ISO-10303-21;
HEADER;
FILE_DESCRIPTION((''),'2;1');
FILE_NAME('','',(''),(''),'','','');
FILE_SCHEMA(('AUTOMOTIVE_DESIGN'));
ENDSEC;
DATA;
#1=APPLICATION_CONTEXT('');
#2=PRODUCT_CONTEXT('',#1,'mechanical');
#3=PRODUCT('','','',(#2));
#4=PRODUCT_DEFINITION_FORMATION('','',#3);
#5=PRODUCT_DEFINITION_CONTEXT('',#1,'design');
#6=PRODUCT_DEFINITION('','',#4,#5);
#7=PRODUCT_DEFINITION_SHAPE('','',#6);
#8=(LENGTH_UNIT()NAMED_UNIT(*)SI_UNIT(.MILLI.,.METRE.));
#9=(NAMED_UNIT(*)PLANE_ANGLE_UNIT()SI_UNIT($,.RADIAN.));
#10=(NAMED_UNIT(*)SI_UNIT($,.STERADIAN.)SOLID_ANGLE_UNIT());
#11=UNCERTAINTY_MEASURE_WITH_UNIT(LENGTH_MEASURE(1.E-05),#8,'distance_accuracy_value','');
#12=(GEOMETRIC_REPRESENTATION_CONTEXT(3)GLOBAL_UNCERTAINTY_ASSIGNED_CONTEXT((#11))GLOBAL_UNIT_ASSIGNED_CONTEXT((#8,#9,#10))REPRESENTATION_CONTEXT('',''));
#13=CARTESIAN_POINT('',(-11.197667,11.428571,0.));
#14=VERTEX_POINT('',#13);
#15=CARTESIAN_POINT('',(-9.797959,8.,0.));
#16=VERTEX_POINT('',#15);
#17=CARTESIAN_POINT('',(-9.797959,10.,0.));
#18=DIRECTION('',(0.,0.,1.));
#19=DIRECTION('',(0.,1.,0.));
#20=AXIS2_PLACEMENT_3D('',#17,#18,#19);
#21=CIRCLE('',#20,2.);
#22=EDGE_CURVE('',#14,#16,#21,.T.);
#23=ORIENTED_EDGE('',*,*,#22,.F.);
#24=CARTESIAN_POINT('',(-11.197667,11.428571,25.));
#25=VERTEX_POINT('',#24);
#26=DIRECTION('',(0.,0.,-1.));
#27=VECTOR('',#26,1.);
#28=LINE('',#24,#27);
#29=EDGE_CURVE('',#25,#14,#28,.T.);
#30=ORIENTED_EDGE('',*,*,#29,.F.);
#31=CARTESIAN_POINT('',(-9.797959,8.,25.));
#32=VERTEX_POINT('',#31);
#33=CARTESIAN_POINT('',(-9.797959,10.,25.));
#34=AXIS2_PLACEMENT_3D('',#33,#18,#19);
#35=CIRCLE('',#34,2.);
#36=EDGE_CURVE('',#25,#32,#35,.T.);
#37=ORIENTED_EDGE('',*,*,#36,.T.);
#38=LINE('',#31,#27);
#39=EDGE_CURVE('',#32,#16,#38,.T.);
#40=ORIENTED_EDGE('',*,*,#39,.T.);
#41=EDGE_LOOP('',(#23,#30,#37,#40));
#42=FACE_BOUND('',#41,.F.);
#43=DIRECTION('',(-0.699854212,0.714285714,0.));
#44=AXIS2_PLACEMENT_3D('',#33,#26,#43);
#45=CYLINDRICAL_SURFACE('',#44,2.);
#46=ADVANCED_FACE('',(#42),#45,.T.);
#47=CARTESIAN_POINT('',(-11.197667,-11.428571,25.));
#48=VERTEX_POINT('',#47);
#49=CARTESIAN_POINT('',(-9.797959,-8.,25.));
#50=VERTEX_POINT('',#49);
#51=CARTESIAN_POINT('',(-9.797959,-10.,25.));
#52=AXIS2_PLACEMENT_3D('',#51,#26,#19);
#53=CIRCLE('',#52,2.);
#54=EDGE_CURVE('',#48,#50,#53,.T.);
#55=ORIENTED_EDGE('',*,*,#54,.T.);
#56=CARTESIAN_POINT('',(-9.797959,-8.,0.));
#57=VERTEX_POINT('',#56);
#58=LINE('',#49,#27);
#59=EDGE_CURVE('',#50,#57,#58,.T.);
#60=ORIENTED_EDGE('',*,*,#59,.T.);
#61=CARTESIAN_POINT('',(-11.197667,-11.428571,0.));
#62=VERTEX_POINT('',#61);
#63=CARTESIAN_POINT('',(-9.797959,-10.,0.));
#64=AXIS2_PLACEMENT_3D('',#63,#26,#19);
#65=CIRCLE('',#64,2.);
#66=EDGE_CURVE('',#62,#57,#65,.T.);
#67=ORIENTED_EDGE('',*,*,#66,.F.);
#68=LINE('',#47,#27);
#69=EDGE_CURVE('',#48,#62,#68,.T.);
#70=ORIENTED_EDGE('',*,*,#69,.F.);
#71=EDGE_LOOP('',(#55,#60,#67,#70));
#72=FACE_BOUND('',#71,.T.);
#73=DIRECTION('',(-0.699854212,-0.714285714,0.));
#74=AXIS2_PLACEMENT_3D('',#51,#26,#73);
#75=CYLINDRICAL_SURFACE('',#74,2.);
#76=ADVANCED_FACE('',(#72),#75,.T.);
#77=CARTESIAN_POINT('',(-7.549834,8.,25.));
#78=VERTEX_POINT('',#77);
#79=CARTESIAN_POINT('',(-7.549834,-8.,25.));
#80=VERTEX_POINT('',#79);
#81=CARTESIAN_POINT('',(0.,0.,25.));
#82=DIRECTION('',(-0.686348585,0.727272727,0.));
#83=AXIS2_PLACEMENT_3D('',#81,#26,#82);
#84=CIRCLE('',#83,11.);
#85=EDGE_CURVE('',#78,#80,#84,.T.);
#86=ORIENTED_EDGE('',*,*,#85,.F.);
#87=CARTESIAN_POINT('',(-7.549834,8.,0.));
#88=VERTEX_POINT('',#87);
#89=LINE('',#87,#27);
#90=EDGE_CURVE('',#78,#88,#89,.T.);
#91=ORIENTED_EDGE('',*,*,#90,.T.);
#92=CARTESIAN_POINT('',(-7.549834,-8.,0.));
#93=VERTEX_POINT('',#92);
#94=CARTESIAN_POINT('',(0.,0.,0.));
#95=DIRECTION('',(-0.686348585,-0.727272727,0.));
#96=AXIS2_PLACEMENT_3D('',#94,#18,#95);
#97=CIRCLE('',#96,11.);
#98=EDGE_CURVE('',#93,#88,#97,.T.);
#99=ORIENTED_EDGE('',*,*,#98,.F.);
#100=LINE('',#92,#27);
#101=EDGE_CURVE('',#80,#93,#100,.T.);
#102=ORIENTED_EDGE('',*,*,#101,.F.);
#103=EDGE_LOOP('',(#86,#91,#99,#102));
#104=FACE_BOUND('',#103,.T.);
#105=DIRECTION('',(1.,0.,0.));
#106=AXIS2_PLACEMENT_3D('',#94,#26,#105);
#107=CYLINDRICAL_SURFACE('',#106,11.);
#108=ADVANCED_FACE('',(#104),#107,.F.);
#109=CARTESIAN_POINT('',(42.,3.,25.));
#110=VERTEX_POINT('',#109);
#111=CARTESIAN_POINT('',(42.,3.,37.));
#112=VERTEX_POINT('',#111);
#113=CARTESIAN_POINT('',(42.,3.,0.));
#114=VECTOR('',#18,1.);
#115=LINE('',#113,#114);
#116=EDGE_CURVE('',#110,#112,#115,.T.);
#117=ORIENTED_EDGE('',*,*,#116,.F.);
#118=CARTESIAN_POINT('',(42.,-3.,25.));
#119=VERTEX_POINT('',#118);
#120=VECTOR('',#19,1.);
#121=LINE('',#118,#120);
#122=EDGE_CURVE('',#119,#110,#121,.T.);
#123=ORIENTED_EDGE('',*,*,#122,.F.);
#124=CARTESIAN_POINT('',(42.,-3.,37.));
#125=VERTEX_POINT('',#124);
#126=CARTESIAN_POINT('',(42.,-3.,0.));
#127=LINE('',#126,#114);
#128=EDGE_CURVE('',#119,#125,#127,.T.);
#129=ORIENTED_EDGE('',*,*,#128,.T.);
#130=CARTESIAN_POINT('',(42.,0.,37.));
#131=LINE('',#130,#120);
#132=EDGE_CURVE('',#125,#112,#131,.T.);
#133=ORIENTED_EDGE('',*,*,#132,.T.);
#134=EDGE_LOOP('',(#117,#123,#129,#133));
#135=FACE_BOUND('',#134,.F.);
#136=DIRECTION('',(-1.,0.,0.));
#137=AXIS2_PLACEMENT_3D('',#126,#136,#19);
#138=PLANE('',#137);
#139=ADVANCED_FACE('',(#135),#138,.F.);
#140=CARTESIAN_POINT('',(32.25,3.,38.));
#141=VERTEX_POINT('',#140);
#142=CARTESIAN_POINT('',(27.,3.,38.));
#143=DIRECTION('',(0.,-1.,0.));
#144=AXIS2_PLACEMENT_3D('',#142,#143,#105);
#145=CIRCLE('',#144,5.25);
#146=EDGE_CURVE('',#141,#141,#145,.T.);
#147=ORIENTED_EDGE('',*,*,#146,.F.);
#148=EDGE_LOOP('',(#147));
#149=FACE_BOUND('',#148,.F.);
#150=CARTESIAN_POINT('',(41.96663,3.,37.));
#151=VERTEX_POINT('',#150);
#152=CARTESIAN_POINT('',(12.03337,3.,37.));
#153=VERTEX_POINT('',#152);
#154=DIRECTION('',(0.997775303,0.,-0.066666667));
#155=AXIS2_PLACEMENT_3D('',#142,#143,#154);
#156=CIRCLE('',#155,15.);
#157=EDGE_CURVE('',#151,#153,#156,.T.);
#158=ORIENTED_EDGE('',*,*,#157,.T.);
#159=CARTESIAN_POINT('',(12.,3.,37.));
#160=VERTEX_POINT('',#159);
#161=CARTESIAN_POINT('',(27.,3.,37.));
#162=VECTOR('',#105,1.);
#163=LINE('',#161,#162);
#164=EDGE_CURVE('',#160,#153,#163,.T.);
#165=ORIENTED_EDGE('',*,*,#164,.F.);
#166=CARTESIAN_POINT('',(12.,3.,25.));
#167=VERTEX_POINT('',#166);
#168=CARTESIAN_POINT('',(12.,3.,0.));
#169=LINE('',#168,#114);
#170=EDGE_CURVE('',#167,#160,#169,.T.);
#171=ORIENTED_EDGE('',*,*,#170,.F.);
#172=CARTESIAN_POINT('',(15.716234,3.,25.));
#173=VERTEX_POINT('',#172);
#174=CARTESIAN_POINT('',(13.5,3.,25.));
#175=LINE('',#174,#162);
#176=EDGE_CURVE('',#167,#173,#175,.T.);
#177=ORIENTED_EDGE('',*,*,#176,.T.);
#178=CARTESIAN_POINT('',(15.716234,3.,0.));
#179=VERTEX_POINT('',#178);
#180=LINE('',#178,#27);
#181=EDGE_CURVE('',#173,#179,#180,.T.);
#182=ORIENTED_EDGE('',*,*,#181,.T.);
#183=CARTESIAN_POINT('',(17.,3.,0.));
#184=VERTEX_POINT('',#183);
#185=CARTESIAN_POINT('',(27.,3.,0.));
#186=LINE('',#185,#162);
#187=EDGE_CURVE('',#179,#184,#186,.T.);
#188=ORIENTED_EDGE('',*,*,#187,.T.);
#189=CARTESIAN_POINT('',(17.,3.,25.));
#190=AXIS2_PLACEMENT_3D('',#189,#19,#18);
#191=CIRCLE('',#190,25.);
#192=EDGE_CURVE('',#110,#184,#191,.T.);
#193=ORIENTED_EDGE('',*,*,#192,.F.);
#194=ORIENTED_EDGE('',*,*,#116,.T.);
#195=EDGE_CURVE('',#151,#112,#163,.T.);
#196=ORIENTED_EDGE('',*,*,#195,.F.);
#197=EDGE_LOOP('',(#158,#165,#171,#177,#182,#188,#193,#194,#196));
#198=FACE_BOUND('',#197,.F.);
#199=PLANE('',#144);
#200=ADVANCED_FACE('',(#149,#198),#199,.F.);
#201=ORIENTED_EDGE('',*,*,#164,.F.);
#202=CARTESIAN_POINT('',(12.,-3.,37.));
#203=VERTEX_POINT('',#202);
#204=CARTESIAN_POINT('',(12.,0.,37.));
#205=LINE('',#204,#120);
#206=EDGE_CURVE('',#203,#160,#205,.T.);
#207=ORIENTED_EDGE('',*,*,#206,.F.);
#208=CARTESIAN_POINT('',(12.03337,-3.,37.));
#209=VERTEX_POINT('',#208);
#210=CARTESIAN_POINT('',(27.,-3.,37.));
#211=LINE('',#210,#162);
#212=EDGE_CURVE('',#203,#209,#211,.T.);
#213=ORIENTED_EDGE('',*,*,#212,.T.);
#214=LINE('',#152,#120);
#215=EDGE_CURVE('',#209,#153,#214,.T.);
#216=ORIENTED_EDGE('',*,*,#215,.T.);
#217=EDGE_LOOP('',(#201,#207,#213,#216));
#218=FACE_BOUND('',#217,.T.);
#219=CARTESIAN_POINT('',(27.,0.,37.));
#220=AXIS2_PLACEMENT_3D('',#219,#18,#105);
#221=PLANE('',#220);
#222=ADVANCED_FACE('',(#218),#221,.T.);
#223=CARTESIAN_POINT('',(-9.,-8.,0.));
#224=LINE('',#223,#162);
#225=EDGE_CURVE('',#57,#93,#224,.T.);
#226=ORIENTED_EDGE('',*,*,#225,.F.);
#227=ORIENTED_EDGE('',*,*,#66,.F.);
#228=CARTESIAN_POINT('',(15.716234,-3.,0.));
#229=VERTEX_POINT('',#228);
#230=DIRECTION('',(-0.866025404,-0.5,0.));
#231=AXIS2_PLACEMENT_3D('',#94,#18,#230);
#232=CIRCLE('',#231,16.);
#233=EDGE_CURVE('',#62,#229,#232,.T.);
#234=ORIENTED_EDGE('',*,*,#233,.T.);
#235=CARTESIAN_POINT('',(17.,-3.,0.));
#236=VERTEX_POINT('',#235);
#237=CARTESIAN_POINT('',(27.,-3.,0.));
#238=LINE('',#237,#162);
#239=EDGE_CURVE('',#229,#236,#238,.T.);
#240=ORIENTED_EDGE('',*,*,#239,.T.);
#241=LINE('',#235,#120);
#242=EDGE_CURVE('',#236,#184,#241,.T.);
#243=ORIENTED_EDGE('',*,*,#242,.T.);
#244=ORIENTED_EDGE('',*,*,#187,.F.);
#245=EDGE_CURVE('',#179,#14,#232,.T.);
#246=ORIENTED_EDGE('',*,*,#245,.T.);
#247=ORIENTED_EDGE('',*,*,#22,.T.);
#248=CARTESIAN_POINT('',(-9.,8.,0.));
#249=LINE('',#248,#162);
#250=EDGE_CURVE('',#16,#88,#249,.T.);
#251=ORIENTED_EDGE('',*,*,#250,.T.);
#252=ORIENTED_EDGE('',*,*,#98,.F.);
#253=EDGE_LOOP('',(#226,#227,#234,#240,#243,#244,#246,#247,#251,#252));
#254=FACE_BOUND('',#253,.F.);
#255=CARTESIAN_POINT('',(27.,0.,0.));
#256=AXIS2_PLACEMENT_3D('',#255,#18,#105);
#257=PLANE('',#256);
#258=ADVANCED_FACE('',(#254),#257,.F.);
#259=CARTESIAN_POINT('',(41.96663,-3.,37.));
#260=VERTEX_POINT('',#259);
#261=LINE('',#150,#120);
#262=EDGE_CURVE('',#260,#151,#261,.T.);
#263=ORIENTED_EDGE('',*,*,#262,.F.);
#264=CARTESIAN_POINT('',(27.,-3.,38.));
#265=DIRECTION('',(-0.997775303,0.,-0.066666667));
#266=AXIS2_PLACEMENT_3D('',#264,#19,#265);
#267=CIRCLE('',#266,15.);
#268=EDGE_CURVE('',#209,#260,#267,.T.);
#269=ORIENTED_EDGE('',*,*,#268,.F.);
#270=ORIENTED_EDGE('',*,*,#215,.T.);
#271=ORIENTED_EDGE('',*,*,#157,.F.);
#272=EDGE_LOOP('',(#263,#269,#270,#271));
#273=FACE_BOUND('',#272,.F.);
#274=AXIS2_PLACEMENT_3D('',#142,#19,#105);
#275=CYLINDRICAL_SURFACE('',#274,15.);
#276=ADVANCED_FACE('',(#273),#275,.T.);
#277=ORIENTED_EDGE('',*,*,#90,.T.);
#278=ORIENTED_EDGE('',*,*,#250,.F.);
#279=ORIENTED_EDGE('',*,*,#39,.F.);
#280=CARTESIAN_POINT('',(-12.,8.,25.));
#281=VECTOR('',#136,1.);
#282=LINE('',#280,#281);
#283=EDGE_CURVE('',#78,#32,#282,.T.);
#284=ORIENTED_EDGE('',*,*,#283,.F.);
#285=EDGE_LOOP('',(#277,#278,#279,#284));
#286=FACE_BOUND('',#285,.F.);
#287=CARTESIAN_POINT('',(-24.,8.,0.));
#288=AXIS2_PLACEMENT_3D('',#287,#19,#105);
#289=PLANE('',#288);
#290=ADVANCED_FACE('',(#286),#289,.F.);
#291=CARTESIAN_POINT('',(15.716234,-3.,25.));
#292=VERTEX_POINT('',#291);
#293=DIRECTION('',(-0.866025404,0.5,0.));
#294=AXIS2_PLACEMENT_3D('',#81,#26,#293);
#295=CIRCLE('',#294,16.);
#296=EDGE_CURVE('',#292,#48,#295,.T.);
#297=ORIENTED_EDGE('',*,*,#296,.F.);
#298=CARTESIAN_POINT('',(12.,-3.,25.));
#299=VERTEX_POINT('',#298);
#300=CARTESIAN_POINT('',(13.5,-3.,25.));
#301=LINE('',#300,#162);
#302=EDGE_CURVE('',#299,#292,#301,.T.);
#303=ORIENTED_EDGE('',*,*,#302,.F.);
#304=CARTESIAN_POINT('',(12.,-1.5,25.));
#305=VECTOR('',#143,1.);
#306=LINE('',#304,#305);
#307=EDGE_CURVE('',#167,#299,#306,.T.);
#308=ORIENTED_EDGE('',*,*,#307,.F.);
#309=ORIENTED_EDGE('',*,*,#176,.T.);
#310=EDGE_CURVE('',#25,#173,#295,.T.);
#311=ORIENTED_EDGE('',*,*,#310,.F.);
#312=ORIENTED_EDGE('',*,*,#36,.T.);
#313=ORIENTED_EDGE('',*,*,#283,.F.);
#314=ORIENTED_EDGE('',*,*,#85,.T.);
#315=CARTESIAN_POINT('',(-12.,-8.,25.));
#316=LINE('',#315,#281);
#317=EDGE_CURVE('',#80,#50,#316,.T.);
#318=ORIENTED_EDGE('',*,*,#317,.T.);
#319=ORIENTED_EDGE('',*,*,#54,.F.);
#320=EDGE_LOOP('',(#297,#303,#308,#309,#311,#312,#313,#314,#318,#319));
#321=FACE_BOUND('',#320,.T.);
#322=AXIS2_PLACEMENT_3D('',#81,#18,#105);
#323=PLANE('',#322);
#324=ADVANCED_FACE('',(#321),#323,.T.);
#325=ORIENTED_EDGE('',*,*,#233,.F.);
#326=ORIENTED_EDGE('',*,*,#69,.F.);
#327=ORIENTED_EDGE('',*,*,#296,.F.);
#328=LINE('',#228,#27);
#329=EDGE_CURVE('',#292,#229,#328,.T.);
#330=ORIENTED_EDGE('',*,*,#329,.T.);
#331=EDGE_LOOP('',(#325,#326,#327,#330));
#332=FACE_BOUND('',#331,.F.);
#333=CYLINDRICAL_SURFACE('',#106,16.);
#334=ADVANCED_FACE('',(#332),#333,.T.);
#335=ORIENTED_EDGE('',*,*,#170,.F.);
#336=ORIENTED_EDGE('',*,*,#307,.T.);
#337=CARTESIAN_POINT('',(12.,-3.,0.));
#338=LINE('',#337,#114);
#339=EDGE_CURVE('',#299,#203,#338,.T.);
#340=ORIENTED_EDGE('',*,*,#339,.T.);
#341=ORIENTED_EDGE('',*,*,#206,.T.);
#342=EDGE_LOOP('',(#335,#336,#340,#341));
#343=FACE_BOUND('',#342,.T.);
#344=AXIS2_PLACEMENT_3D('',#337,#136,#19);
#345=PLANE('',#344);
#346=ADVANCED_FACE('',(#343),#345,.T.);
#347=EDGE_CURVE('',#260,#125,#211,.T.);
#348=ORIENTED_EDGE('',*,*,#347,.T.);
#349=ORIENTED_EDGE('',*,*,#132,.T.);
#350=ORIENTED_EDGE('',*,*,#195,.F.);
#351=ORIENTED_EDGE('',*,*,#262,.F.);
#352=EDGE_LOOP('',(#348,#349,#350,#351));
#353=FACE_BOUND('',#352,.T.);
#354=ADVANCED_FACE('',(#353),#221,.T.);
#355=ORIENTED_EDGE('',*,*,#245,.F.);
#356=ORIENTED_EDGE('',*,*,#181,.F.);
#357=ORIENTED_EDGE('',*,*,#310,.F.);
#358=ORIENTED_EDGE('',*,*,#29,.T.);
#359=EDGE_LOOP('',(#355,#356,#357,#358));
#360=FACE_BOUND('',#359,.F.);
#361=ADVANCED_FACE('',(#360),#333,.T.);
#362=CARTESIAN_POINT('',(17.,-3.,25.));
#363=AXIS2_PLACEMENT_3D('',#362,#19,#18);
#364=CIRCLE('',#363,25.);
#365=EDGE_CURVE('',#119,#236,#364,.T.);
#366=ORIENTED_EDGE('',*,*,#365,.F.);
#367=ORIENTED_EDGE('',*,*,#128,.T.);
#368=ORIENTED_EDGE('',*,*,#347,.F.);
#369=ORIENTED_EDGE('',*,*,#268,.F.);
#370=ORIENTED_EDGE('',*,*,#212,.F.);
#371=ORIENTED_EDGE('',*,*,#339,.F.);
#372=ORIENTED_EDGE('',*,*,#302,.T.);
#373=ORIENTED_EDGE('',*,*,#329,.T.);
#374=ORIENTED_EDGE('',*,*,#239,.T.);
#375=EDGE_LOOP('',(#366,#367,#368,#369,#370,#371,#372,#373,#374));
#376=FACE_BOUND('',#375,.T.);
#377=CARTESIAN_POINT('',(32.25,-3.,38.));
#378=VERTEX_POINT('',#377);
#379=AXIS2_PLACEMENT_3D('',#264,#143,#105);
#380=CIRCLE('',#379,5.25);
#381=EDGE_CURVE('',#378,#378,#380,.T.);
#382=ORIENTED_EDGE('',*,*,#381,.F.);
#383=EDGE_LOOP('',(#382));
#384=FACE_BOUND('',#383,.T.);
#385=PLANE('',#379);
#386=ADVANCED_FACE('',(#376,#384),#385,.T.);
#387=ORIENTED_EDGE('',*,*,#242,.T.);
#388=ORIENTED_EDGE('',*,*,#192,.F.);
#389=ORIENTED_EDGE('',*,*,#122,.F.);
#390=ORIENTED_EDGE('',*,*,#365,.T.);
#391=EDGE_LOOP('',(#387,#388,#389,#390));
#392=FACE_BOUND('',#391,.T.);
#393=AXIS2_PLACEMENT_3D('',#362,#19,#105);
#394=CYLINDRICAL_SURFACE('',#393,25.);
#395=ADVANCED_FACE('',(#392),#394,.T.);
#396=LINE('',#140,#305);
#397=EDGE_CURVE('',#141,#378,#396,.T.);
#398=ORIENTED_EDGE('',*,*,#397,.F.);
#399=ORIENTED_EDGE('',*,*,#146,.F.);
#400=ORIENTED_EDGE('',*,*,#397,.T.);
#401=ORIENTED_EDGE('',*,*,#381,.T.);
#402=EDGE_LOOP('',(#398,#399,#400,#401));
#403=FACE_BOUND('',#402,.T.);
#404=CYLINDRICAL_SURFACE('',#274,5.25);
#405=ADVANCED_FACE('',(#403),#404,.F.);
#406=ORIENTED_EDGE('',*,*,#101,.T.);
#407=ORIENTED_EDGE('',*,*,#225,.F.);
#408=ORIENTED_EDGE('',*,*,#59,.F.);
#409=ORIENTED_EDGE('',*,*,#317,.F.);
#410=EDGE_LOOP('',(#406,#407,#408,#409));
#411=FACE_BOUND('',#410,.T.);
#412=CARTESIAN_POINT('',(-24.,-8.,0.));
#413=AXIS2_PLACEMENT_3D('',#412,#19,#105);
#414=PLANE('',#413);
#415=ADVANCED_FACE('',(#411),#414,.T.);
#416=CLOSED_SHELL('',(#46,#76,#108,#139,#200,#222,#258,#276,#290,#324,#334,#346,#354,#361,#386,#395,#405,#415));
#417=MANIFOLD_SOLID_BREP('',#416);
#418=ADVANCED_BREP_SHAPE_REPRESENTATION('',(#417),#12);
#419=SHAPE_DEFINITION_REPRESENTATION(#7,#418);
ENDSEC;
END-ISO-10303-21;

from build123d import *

# Parameters (mm, degrees)
CYLINDER003_R     = 5.25
CYLINDER003_DEPTH = 6
CYLINDER002_R     = 15
CYLINDER002_DEPTH = 6
BOX_W             = 30
BOX_H             = 6
BOX_DEPTH         = 37
FILLET001_R       = 25
BOX001_W          = 30
BOX001_H          = 16
BOX001_DEPTH      = 37
CYLINDER_R        = 11
CYLINDER_DEPTH    = 25
CYLINDER001_R     = 16
CYLINDER001_DEPTH = 25
FILLET_R          = 2


with BuildPart() as cilindro003:
    # Cylinder003 → Cylinder003 (new body)
    with BuildSketch(Plane(origin=(27, 3, 38), x_dir=(1, 0, 0), z_dir=(0, -1, 0))):
        Circle(CYLINDER003_R)
    extrude(amount=CYLINDER003_DEPTH)


with BuildPart() as cilindro002:
    # Cylinder002 → Cylinder002 (new body)
    with BuildSketch(Plane(origin=(27, 3, 38), x_dir=(1, 0, 0), z_dir=(0, -1, 0))):
        Circle(CYLINDER002_R)
    extrude(amount=CYLINDER002_DEPTH)


with BuildPart() as fillet001:
    # Box → Box (new body)
    with BuildSketch(Plane(origin=(12, -3, 0), x_dir=(1, 0, 0), z_dir=(0, 0, 1))):
        with Locations((15, 3)):
            Rectangle(BOX_W, BOX_H)
    extrude(amount=BOX_DEPTH)

    # Fusion: union Cilindro002
    add(cilindro002.part)

    # Cut001: cut Cilindro003
    add(cilindro003.part, mode=Mode.SUBTRACT)

    # Fillet001
    fillet001_edges = [fillet001.edges().sort_by_distance(p)[0] for p in [
        (42, 0, 0),
    ]]
    fillet(fillet001_edges, radius=FILLET001_R)


with BuildPart() as cubo001:
    # Box001 → Box001 (new body)
    with BuildSketch(Plane(origin=(-24, -8, 0), x_dir=(1, 0, 0), z_dir=(0, 0, 1))):
        with Locations((15, 8)):
            Rectangle(BOX001_W, BOX001_H)
    extrude(amount=BOX001_DEPTH)


with BuildPart() as cilindro:
    # Cylinder → Cylinder (new body)
    with BuildSketch(Plane.XY):
        Circle(CYLINDER_R)
    extrude(amount=CYLINDER_DEPTH)


with BuildPart() as fusion001:
    # Cylinder001 → Cylinder001 (new body)
    with BuildSketch(Plane.XY):
        Circle(CYLINDER001_R)
    extrude(amount=CYLINDER001_DEPTH)

    # Cut: cut Cilindro
    add(cilindro.part, mode=Mode.SUBTRACT)

    # Cut002: cut Cubo001
    add(cubo001.part, mode=Mode.SUBTRACT)

    # Fillet
    fillet_edges = [fusion001.edges().sort_by_distance(p)[0] for p in [
        (-13.856406, -8, 12.5),
        (-13.856406, 8, 12.5),
    ]]
    fillet(fillet_edges, radius=FILLET_R)

    # Fusion001: union Fillet001
    add(fillet001.part)


solid = fusion001.part
